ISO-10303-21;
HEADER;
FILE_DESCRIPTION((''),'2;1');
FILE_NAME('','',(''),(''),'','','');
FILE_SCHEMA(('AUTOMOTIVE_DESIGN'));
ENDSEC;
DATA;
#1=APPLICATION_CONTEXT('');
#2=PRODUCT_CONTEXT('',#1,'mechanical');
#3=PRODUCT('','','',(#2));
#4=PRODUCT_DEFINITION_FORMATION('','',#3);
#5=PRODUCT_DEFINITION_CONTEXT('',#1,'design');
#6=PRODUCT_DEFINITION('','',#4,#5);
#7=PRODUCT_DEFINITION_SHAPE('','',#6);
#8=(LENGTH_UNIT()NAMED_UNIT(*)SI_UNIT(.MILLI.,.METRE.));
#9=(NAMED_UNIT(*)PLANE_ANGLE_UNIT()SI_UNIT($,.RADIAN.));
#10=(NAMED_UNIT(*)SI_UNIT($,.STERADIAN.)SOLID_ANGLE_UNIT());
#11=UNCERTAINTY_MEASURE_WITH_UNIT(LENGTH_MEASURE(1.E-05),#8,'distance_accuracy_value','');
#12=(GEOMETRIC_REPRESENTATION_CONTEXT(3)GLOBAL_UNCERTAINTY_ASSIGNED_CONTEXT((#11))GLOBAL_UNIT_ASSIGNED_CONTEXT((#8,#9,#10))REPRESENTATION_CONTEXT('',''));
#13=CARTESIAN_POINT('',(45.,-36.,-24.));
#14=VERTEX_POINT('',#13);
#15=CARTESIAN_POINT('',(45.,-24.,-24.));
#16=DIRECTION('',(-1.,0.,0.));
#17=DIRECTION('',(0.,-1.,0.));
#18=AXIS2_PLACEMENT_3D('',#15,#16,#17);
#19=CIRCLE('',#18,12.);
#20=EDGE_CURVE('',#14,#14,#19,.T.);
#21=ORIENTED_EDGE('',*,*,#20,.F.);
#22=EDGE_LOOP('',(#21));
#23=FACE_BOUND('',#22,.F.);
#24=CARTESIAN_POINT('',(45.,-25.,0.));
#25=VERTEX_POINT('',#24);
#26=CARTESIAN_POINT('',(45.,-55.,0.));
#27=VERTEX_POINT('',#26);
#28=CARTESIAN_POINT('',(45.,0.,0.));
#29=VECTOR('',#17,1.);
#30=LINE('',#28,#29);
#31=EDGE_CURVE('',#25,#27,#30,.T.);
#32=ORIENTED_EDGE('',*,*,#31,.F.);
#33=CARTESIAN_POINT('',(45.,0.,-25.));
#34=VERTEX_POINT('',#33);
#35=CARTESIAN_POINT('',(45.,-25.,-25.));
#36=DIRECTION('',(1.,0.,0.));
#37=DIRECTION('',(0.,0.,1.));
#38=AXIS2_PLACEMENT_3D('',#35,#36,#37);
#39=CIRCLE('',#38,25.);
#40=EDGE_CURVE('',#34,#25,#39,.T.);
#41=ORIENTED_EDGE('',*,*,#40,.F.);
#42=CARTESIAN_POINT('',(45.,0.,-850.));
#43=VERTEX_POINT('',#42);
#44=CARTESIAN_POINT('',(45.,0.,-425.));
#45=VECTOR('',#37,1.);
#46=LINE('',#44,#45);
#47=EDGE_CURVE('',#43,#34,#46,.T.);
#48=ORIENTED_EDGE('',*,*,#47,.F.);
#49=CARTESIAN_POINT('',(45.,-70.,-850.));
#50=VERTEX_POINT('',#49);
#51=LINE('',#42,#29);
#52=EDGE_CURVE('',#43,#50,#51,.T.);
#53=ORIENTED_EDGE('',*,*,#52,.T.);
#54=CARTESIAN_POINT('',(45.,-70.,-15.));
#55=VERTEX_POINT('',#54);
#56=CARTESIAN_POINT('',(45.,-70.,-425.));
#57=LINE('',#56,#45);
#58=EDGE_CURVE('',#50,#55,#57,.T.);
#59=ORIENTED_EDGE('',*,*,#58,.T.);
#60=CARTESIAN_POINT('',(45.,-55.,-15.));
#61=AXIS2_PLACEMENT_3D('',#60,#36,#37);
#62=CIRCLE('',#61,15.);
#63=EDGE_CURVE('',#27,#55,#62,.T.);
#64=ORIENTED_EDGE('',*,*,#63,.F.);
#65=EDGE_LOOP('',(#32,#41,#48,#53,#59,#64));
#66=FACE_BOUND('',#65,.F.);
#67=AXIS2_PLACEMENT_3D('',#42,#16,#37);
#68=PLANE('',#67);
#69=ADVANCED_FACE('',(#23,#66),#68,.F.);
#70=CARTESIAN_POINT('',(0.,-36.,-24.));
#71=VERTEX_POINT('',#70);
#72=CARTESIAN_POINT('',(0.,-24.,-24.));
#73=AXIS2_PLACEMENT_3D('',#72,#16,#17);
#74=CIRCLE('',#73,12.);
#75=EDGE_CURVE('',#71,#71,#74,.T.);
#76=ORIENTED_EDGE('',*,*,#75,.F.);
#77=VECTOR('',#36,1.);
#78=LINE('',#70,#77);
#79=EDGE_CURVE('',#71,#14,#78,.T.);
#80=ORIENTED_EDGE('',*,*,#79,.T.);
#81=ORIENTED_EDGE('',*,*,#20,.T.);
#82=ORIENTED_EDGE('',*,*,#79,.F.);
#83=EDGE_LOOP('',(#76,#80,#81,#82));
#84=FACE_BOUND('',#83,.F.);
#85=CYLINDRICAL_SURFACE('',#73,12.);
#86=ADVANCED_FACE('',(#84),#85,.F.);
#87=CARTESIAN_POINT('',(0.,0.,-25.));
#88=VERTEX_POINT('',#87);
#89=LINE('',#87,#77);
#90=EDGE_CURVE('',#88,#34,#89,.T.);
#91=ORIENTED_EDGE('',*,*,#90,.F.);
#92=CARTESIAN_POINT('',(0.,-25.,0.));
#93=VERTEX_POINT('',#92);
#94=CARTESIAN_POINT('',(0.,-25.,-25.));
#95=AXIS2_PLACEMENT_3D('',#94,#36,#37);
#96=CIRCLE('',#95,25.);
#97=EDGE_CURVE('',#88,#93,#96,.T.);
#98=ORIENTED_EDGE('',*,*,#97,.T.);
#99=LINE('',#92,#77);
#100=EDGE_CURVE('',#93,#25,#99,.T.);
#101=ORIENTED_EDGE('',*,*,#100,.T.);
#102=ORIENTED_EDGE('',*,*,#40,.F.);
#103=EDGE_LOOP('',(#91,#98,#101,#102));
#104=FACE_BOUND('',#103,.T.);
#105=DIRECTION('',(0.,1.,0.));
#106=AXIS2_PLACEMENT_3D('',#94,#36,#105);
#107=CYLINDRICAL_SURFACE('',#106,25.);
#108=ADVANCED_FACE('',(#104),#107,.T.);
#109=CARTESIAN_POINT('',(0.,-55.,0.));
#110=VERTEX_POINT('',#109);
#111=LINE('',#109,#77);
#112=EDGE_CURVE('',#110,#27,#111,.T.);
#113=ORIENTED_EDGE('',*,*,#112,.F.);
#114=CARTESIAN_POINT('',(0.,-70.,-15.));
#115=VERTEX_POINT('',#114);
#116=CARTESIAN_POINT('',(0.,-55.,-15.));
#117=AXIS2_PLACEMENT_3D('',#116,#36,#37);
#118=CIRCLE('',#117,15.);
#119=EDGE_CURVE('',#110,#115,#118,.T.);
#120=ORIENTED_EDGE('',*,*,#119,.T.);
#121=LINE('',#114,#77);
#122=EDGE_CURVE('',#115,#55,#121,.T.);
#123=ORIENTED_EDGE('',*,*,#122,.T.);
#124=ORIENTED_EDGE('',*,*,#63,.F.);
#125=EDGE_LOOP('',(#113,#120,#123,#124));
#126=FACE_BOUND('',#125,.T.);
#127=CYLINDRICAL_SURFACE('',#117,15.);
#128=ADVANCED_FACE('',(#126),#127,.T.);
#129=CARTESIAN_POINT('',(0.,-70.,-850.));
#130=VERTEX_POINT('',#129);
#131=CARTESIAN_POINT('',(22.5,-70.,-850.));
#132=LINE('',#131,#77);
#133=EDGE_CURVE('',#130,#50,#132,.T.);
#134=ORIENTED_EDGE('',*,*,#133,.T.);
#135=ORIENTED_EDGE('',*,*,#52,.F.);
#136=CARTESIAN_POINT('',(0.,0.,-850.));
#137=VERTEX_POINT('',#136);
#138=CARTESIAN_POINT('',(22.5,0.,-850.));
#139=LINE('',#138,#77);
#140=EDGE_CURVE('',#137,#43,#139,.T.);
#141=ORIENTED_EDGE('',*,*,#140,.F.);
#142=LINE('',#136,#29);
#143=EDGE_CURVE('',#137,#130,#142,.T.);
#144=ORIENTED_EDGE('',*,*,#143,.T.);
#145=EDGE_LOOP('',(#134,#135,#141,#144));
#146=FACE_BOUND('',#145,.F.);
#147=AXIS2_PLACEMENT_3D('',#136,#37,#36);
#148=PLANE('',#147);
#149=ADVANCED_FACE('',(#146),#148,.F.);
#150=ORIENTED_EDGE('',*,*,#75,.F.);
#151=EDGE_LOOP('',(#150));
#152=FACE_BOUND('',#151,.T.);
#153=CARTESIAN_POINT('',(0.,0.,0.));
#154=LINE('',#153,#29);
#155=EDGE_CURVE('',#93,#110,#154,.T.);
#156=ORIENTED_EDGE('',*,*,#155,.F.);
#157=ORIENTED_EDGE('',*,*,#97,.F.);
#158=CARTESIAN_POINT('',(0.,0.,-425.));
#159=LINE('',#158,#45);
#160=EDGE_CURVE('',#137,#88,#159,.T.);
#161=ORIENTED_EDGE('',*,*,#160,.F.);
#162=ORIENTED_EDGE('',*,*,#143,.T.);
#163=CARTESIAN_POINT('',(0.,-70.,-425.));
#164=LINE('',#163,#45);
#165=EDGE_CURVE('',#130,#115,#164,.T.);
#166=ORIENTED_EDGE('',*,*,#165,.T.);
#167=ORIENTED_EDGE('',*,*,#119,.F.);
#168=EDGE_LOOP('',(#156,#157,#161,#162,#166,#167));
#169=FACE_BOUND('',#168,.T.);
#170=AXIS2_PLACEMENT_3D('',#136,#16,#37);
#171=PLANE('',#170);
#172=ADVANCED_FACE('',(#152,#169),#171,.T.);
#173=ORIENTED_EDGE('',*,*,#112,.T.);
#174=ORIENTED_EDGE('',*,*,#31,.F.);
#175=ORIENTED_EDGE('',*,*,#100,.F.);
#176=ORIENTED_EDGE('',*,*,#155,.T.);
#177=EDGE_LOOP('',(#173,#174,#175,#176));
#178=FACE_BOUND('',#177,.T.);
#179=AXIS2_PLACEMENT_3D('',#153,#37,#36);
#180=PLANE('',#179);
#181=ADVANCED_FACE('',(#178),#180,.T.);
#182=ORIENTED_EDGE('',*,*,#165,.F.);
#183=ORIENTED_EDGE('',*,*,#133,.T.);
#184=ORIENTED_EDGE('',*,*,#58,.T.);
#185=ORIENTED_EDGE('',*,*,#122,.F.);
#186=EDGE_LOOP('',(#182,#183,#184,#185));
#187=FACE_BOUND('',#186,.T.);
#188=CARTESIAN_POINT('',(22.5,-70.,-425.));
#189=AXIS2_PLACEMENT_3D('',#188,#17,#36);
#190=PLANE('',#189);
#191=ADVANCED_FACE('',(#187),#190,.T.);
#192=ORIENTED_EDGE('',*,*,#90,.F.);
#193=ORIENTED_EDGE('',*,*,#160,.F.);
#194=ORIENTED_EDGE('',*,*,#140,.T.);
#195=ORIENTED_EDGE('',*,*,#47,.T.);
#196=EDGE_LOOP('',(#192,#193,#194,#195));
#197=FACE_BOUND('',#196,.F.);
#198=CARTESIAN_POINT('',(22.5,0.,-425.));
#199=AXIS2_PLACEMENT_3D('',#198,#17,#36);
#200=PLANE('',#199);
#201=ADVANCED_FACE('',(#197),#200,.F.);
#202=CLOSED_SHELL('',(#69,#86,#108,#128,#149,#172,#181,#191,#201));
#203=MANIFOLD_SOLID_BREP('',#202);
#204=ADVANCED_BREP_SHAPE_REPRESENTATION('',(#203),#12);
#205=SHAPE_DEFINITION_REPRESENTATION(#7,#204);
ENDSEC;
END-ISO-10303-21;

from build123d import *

# Parameters (mm, degrees)
F0_W     = 45
F0_H     = 850
F1_DEPTH = 70
F2_R     = 12
F3_DEPTH = 45.001
F4_R     = 25
F5_R     = 15


with BuildPart() as f1:
    # F0 (on Front) → F1 (new body)
    with BuildSketch(Plane.XZ):
        with Locations((22.5, -425)):
            Rectangle(F0_W, F0_H)
    extrude(amount=F1_DEPTH)

    # F2 (on face) → F3 (cut, through all)
    with BuildSketch(Plane(origin=(0, 0, 0), x_dir=(0, -1, 0), z_dir=(-1, 0, 0))):
        with Locations((24, -24)):
            Circle(F2_R)
    extrude(amount=-F3_DEPTH, mode=Mode.SUBTRACT)

    # F4
    f4_edges = [f1.edges().sort_by_distance(p)[0] for p in [
        (22.5, 0, 0),
    ]]
    fillet(f4_edges, radius=F4_R)

    # F5
    f5_edges = [f1.edges().sort_by_distance(p)[0] for p in [
        (22.5, -70, 0),
    ]]
    fillet(f5_edges, radius=F5_R)


solid = f1.part
